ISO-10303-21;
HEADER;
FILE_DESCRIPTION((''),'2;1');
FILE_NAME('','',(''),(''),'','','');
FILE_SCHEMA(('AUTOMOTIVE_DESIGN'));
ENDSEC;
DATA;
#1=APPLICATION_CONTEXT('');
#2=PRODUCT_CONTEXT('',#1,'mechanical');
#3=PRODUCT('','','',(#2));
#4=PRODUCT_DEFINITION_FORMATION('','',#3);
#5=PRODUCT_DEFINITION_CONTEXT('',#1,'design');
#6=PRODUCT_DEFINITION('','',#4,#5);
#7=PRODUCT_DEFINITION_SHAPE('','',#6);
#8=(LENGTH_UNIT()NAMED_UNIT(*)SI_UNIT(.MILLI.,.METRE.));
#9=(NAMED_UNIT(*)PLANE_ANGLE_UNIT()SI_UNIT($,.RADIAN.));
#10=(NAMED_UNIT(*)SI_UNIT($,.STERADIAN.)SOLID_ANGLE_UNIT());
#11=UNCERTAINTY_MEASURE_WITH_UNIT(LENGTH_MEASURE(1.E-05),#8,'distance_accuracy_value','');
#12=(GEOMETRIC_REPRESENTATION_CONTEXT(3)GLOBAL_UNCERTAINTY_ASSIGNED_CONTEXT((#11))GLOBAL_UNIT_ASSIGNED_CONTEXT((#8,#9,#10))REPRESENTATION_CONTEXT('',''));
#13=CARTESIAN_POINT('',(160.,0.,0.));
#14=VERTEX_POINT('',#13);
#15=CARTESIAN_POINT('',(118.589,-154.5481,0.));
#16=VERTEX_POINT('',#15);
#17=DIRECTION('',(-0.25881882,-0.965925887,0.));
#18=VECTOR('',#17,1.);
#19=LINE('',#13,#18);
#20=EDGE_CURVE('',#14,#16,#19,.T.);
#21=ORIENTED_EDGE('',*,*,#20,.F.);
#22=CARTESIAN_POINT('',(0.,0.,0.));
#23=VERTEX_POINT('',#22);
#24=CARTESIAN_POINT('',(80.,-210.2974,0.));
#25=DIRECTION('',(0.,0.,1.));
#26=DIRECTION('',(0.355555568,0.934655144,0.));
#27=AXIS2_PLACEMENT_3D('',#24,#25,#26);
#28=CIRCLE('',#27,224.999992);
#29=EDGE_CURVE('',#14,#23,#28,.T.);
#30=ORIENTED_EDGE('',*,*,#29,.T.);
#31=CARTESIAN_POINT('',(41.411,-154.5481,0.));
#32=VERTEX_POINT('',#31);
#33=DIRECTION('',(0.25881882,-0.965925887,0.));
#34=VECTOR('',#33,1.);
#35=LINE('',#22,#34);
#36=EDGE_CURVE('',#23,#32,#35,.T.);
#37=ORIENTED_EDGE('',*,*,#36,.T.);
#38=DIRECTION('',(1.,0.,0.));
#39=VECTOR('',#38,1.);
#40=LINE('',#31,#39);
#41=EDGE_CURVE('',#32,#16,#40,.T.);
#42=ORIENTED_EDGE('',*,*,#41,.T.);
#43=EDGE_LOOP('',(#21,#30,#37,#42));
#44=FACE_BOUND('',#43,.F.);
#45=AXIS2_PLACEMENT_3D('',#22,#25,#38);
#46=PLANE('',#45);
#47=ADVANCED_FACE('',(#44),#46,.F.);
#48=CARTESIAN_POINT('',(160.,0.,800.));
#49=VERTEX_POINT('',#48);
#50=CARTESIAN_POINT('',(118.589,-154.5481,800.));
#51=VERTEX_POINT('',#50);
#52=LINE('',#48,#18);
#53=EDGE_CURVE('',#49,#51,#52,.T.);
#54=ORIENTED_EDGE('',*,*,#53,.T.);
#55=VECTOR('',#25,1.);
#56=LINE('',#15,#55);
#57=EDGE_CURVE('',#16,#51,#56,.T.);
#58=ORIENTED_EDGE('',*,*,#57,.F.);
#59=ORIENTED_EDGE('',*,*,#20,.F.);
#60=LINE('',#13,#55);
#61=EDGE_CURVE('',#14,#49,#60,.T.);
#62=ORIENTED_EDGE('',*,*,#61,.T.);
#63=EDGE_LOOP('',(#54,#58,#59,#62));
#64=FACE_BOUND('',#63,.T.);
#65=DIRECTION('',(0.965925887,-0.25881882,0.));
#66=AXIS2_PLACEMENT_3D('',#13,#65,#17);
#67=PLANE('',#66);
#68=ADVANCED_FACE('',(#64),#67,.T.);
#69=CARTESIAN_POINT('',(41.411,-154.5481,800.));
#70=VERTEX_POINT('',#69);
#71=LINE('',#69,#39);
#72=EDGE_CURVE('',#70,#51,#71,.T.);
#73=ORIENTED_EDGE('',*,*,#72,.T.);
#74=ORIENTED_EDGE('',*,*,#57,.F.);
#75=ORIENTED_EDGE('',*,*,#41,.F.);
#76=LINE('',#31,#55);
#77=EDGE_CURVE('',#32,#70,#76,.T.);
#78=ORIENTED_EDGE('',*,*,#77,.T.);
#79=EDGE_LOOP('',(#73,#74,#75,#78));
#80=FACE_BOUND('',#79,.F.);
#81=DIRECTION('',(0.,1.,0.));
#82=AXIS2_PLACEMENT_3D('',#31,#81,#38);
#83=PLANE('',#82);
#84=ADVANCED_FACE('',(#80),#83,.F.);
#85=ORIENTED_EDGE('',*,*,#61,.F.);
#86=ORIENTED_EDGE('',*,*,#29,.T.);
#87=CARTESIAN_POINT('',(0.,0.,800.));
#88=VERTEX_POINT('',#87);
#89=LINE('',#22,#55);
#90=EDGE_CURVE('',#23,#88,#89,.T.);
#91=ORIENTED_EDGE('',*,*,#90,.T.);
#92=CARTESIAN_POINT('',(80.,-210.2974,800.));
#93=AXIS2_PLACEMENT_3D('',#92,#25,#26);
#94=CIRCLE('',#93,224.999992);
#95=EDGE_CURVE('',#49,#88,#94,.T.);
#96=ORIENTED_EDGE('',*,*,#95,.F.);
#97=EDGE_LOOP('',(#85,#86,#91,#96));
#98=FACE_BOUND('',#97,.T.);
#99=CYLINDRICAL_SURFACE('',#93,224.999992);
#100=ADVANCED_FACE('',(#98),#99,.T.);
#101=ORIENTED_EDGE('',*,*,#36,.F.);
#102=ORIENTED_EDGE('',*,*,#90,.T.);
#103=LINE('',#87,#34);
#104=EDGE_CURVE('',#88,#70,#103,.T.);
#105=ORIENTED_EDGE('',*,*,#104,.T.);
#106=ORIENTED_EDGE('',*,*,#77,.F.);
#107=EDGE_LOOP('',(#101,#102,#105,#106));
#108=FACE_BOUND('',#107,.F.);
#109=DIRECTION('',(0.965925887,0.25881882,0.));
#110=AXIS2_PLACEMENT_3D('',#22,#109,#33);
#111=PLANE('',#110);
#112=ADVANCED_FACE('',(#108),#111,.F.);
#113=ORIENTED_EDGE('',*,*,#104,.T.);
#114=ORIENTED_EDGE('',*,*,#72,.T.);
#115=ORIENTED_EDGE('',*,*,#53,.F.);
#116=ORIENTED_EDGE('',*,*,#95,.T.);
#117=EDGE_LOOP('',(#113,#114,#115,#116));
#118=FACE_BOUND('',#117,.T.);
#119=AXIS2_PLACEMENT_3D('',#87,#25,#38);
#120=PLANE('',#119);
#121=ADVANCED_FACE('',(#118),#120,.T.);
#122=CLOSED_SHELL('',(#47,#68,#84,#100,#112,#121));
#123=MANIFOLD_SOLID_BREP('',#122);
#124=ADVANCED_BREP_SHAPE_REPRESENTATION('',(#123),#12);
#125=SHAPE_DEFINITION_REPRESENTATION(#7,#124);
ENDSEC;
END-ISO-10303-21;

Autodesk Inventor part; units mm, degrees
ref_plane "YZ Plane" through (0, 0, 0) normal (1, 0, 0) x (0, 1, 0)
ref_plane "XZ Plane" through (0, 0, 0) normal (0, 1, 0) x (-1, 0, 0)
ref_plane "XY Plane" through (0, 0, 0) normal (0, 0, 1) x (1, 0, 0)
sketch "Sketch3" plane through (0, 0, 0) normal (0, 0, 1) x (1, 0, 0)
  line L0 (0, 0) -> (160, 0)
  line L1 (160, 0) -> (118.589, -154.5481)
  line L2 (0, 0) -> (41.411, -154.5481)
  line L3 (41.411, -154.5481) -> (118.589, -154.5481)
  dimension "d26" = 160
  dimension "d27" = 160
  dimension "d28" = 75
  dimension "d29" = 75
extrude "Extrusion3" add sketch "Sketch3" along normal blind 800
sketch "Sketch4" plane through (0, 0, 800) normal (0, 0, 1) x (1, 0, 0)
  circle A0 centre (80, -210.2974) radius 225 construction
  line L0 (160, 0) -> (0, 0) projected
  line L1 (0, 0) -> (160, 0)
  arc A1 (160, 0) -> (0, 0) centre (80, -210.2974) ccw
  dimension "d30" = 450
extrude "Extrusion4" add sketch "Sketch4" against normal blind 800
properties part number "SA001" material "ABS Plastic"
